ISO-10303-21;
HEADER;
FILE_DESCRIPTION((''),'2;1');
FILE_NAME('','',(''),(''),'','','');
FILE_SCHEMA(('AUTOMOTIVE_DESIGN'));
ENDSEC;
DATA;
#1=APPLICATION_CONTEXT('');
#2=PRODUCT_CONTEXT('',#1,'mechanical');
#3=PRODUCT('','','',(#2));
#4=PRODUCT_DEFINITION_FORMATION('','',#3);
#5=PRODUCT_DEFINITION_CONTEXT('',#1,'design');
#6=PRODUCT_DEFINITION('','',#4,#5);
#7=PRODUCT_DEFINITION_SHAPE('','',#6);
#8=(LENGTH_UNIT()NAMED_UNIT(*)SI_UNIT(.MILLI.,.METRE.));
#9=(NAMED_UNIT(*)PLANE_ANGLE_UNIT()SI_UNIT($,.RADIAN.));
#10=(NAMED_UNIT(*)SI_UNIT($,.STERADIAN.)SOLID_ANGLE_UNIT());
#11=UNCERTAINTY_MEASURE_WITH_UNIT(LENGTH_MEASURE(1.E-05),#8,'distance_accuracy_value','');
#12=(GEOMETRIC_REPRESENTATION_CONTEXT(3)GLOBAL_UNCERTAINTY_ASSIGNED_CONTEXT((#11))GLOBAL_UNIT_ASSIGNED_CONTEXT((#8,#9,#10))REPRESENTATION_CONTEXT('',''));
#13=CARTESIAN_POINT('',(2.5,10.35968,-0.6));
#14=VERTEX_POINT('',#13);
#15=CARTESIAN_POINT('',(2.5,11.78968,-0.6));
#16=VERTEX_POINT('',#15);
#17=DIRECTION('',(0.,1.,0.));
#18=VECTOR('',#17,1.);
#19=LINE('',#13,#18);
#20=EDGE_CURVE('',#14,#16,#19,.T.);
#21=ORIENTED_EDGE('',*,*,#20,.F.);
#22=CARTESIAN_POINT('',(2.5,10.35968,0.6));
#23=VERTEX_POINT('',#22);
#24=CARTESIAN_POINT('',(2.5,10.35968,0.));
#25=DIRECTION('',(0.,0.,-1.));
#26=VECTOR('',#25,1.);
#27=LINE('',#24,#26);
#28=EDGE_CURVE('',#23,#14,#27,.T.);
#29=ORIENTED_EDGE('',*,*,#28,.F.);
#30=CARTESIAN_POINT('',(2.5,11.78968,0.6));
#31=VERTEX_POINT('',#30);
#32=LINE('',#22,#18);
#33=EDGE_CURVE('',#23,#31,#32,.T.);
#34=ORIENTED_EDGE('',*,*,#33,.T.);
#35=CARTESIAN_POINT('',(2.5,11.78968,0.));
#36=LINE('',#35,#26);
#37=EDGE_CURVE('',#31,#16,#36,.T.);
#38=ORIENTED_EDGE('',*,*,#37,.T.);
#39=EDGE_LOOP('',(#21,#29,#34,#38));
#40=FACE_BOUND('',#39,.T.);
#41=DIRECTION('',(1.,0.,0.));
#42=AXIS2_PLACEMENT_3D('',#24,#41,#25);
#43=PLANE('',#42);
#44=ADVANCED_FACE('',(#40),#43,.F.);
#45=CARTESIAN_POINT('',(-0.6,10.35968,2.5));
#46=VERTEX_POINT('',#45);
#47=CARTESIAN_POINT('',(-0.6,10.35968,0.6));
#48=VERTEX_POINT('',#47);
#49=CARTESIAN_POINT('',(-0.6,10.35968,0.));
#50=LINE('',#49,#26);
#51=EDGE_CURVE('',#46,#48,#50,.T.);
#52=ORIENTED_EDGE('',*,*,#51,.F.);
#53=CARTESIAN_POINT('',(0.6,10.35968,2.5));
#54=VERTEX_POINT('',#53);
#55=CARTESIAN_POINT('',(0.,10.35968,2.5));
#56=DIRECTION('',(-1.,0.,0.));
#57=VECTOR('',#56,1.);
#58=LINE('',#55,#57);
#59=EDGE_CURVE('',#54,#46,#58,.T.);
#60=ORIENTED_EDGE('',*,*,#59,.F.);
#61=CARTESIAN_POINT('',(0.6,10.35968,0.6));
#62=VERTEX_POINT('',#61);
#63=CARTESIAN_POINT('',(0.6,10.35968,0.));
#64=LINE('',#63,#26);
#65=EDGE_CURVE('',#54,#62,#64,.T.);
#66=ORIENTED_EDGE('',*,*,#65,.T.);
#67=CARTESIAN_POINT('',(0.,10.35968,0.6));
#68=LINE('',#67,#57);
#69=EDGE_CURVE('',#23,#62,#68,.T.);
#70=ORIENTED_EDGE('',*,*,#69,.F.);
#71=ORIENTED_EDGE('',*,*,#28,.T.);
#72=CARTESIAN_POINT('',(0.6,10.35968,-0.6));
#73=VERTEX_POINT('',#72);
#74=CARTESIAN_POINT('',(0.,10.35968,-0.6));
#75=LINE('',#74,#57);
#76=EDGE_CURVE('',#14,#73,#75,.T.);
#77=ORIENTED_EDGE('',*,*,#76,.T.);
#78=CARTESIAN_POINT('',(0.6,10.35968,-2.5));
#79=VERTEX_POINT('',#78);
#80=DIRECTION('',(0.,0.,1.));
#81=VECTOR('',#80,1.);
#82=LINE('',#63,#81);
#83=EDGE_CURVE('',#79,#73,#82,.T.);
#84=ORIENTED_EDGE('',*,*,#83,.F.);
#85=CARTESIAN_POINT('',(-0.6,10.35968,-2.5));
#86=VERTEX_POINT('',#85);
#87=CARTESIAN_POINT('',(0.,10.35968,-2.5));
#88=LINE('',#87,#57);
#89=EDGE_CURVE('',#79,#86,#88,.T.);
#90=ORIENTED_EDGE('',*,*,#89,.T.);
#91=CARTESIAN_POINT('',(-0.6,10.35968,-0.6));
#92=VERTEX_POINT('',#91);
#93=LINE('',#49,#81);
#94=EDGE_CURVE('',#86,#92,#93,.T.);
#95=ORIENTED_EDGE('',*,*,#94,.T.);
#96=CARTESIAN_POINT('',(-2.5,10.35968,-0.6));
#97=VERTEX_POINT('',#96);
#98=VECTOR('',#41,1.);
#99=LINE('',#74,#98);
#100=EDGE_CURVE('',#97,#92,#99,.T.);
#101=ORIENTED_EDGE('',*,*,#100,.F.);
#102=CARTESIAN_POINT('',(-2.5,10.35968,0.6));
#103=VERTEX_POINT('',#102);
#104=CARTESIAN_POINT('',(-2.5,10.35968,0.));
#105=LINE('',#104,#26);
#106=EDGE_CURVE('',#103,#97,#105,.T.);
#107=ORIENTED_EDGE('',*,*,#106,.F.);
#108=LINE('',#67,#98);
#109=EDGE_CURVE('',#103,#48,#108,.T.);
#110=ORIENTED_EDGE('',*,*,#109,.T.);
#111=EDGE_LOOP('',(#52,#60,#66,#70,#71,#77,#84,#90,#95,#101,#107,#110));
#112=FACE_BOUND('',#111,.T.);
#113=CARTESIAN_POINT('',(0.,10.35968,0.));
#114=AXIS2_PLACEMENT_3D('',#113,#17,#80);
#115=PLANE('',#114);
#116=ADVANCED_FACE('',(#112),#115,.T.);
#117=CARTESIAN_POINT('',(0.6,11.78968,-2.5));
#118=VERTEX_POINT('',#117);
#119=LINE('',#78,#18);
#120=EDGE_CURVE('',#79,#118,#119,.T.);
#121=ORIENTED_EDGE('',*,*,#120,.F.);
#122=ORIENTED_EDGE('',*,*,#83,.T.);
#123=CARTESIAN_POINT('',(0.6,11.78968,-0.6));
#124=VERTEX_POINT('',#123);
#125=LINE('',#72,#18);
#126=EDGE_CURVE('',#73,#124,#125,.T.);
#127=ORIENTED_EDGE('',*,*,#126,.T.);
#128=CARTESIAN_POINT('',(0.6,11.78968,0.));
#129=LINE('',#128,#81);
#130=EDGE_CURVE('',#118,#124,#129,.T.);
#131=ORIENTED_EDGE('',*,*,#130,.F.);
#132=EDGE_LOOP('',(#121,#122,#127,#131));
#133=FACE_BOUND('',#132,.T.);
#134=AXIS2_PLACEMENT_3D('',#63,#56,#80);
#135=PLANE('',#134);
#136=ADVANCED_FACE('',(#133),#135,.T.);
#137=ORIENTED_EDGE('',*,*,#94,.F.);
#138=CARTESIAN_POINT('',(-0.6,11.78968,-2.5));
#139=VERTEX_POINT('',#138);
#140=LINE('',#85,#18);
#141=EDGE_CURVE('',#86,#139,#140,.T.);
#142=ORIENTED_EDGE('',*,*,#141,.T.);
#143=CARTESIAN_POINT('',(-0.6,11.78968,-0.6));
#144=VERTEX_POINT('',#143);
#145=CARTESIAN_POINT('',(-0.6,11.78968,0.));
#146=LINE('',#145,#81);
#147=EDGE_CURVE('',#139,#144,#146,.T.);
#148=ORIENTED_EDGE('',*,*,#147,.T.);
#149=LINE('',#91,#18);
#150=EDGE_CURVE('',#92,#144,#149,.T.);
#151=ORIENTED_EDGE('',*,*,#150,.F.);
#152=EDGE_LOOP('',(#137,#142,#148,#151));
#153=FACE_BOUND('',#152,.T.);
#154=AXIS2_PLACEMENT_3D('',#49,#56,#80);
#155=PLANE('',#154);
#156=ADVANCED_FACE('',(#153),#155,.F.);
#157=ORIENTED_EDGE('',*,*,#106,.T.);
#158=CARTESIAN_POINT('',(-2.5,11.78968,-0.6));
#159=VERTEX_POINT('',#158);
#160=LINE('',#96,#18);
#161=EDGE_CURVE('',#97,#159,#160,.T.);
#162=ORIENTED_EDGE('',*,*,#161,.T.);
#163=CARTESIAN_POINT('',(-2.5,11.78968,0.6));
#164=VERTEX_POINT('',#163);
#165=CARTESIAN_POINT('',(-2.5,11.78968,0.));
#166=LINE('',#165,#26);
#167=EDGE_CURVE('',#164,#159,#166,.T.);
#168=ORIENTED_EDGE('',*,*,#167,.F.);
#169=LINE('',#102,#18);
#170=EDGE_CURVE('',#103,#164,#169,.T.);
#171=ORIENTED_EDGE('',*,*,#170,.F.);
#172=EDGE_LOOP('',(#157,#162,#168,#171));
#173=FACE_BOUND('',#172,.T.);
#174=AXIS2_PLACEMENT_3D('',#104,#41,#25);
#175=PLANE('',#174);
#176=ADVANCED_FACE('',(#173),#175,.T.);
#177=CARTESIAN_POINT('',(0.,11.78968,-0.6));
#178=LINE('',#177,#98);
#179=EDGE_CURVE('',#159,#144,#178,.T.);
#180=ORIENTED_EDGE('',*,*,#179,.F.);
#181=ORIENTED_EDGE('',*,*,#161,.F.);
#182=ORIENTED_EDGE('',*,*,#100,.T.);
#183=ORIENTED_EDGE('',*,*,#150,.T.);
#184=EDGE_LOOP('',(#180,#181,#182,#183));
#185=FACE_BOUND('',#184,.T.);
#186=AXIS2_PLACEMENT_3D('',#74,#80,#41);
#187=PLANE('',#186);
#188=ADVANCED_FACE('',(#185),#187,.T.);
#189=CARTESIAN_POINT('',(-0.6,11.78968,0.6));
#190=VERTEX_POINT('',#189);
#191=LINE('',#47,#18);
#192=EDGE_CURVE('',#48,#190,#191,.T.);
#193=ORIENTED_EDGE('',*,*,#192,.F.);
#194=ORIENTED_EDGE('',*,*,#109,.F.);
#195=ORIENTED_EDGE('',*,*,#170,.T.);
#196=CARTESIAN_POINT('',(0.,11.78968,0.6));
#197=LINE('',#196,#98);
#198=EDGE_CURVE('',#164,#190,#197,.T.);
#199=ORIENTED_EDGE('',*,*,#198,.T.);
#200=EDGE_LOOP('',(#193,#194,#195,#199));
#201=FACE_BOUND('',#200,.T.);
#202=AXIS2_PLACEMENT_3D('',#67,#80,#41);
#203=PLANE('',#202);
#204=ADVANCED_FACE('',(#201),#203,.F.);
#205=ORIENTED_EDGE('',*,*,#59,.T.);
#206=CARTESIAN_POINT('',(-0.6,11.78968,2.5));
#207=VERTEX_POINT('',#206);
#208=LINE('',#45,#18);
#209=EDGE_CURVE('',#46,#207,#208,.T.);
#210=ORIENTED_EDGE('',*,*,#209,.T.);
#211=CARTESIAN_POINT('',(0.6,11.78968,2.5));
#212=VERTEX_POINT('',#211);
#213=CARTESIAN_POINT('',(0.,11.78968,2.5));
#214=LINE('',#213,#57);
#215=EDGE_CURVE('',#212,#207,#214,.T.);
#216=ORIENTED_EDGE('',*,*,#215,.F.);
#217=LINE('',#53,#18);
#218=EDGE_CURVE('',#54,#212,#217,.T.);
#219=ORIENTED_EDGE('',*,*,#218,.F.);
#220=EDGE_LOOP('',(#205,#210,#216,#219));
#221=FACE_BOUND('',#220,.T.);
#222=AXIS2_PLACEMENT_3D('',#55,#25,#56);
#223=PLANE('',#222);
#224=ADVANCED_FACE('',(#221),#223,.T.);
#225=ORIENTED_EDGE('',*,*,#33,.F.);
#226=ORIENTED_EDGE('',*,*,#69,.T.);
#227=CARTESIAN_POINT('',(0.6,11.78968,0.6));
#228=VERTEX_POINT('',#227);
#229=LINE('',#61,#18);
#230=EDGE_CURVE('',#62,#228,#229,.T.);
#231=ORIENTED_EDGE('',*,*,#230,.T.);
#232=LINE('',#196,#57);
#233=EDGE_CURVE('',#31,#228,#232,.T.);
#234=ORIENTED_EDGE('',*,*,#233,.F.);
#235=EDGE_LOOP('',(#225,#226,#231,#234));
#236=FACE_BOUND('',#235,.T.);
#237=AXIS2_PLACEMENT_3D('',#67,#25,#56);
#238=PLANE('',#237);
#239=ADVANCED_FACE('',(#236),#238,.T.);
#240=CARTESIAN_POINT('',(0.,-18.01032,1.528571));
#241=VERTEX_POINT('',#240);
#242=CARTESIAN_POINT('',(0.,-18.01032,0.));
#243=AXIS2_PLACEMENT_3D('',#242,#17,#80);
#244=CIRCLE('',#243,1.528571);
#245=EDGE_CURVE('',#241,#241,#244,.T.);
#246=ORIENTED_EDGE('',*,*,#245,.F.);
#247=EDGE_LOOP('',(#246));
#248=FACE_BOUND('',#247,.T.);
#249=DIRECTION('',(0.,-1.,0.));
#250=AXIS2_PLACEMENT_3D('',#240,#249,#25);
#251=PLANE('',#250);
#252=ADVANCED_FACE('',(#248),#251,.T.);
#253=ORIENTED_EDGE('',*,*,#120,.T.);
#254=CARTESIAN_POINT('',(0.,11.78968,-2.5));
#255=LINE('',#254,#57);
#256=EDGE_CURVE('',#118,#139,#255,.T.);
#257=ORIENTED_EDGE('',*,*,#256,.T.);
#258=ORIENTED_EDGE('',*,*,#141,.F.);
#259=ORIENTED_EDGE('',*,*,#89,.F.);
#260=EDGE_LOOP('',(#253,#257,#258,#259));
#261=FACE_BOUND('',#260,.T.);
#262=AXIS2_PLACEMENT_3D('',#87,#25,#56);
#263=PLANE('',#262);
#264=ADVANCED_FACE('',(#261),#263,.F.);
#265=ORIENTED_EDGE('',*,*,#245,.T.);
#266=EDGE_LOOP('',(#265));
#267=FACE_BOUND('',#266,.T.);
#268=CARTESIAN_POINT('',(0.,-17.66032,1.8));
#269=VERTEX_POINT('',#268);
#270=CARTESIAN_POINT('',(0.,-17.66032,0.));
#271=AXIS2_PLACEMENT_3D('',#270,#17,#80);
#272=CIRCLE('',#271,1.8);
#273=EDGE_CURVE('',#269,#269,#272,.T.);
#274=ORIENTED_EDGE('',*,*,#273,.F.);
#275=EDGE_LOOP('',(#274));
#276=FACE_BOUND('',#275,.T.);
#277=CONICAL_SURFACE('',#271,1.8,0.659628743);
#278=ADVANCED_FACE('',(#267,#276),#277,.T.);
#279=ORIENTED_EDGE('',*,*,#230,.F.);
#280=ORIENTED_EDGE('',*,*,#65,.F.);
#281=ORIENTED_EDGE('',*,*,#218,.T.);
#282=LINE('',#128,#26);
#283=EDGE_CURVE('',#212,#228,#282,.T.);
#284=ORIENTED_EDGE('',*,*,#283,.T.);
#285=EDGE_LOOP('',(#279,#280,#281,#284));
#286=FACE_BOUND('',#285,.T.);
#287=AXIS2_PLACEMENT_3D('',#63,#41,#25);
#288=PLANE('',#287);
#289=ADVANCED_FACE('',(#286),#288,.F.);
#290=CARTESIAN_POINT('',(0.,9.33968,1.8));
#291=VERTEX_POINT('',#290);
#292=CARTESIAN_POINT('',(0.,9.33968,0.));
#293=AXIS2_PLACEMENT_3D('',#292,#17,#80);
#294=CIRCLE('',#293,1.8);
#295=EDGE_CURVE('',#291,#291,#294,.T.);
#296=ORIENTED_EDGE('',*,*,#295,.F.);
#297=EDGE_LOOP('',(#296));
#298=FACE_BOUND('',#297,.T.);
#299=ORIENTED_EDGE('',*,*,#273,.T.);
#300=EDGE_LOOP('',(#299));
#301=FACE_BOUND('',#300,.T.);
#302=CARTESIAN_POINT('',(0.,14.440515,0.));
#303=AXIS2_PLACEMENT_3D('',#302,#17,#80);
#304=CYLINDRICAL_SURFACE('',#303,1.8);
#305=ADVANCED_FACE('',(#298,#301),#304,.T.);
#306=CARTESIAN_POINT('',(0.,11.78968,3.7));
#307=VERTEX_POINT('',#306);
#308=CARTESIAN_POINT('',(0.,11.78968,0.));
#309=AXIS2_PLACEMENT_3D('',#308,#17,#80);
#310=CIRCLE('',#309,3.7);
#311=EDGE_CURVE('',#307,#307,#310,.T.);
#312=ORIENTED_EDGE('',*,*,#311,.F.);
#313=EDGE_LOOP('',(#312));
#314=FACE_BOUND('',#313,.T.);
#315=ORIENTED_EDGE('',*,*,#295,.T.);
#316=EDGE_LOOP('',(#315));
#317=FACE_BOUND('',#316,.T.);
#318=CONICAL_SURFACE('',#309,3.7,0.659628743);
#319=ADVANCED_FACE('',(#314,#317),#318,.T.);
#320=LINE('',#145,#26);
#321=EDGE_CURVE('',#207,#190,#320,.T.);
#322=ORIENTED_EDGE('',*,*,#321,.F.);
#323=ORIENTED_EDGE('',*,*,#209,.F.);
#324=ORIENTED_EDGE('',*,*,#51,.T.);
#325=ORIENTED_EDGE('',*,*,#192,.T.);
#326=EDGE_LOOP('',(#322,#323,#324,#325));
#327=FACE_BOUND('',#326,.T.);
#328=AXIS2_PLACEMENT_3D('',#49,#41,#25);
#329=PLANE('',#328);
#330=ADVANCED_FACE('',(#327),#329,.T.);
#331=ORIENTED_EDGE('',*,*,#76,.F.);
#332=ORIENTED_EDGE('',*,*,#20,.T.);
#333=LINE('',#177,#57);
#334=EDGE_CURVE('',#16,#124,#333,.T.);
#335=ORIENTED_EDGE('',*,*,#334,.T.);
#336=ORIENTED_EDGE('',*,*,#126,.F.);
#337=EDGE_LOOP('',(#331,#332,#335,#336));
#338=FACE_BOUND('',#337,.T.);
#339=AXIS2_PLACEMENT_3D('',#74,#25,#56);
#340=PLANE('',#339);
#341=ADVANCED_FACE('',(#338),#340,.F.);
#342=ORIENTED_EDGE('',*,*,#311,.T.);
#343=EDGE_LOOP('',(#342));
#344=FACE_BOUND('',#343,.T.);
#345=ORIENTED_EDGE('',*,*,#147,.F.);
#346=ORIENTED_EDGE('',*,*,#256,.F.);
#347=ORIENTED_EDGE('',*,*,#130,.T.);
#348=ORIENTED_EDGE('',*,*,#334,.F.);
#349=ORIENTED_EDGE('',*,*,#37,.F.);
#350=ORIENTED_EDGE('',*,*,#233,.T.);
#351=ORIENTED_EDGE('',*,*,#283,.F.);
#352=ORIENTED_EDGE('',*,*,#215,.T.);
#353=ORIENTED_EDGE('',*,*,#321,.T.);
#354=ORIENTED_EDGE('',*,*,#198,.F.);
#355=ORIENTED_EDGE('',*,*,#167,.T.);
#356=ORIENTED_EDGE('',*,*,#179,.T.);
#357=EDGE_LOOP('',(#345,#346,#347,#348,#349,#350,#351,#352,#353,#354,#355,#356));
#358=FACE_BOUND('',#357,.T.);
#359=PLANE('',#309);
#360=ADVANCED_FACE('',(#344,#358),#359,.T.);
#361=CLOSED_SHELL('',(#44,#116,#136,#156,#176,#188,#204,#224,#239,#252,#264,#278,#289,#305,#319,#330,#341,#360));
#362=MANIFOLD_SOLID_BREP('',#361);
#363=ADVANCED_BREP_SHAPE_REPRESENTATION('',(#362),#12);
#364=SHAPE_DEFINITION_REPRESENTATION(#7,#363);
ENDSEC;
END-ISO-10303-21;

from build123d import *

# Parameters (mm, degrees)
CUT_EXTRUDE1_DEPTH = 1.43


with BuildPart() as part:
    # Sketch1 → Revolve1 (revolve)
    with BuildSketch(Plane(origin=(0, 0, 0), x_dir=(0, 0, -1), z_dir=(1, 0, 0))):
        Polygon((0, 11.789679649), (-3.7, 11.789679649), (-1.8, 9.339679649), (-1.8, -17.660320351), (-1.528571429, -18.010320351), (0, -18.010320351), align=None)
    revolve(axis=Axis((0, 14.440515102, 0), (0, -1, 0)))

    # Sketch2 → Cut-Extrude1 (cut)
    with BuildSketch(Plane(origin=(0, 11.789679649, 0), x_dir=(1, 0, 0), z_dir=(0, 1, 0))):
        Polygon((2.5, -0.6), (0.6, -0.6), (0.6, -2.5), (-0.6, -2.5), (-0.6, -0.6), (-2.5, -0.6), (-2.5, 0.6), (-0.6, 0.6), (-0.6, 2.5), (0.6, 2.5), (0.6, 0.6), (2.5, 0.6), align=None)
    extrude(amount=-CUT_EXTRUDE1_DEPTH, mode=Mode.SUBTRACT)


solid = part.part
